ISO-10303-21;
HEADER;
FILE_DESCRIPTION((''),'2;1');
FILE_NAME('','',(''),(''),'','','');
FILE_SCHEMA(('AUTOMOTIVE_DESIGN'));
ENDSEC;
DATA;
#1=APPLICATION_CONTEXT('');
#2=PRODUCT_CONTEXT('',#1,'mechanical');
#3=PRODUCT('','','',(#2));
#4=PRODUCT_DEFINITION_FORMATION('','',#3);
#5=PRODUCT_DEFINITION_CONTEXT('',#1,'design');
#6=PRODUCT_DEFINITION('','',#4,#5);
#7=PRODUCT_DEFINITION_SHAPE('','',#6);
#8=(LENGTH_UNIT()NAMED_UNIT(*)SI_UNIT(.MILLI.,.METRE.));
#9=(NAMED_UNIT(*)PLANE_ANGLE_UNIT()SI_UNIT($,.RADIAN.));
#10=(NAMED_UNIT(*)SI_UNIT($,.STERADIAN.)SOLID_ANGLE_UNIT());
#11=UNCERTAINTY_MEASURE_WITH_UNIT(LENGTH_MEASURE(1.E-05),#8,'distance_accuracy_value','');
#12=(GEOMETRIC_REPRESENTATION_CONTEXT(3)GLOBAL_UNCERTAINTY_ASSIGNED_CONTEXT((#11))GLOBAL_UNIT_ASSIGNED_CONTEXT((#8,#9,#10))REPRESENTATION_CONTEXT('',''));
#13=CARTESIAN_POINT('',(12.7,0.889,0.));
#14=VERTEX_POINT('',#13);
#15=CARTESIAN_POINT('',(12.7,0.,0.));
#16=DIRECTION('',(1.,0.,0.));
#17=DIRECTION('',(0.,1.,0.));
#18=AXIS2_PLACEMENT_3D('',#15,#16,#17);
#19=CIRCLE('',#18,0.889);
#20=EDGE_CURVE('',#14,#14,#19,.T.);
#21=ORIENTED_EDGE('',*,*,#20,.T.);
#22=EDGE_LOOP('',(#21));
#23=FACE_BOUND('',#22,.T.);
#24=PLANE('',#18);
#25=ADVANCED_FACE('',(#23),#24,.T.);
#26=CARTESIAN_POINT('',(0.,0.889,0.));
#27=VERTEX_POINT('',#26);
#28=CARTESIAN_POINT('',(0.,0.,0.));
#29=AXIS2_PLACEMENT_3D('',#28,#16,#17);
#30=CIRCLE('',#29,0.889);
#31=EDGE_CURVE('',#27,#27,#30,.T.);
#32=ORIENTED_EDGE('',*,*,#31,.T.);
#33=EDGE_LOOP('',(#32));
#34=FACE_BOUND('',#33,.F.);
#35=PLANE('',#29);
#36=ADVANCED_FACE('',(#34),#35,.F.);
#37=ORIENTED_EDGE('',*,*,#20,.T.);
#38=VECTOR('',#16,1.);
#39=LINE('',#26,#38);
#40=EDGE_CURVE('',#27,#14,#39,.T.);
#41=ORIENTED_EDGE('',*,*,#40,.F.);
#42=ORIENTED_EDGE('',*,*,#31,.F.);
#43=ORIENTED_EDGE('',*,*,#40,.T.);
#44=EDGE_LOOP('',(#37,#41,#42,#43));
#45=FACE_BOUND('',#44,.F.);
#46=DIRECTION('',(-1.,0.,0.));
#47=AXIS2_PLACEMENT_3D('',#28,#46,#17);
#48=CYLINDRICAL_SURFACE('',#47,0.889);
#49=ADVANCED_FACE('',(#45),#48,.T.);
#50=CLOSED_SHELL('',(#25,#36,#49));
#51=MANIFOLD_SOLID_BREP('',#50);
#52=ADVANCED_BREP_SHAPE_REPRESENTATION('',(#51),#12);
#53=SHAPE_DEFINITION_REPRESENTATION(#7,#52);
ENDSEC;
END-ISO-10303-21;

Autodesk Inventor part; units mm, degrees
ref_plane "YZ Plane" through (0, 0, 0) normal (1, 0, 0) x (0, 1, 0)
ref_plane "XZ Plane" through (0, 0, 0) normal (0, 1, 0) x (-1, 0, 0)
ref_plane "XY Plane" through (0, 0, 0) normal (0, 0, 1) x (1, 0, 0)
sketch "Sketch1" plane through (0, 0, 0) normal (1, 0, 0) x (0, 1, 0)
  circle A0 centre (0, 0) radius 0.889
  dimension "d0" = 1.778
extrude "Extrusion1" add sketch "Sketch1" along normal blind 12.7
properties part number "SLIDER CRANK PUSHER ROLL"
